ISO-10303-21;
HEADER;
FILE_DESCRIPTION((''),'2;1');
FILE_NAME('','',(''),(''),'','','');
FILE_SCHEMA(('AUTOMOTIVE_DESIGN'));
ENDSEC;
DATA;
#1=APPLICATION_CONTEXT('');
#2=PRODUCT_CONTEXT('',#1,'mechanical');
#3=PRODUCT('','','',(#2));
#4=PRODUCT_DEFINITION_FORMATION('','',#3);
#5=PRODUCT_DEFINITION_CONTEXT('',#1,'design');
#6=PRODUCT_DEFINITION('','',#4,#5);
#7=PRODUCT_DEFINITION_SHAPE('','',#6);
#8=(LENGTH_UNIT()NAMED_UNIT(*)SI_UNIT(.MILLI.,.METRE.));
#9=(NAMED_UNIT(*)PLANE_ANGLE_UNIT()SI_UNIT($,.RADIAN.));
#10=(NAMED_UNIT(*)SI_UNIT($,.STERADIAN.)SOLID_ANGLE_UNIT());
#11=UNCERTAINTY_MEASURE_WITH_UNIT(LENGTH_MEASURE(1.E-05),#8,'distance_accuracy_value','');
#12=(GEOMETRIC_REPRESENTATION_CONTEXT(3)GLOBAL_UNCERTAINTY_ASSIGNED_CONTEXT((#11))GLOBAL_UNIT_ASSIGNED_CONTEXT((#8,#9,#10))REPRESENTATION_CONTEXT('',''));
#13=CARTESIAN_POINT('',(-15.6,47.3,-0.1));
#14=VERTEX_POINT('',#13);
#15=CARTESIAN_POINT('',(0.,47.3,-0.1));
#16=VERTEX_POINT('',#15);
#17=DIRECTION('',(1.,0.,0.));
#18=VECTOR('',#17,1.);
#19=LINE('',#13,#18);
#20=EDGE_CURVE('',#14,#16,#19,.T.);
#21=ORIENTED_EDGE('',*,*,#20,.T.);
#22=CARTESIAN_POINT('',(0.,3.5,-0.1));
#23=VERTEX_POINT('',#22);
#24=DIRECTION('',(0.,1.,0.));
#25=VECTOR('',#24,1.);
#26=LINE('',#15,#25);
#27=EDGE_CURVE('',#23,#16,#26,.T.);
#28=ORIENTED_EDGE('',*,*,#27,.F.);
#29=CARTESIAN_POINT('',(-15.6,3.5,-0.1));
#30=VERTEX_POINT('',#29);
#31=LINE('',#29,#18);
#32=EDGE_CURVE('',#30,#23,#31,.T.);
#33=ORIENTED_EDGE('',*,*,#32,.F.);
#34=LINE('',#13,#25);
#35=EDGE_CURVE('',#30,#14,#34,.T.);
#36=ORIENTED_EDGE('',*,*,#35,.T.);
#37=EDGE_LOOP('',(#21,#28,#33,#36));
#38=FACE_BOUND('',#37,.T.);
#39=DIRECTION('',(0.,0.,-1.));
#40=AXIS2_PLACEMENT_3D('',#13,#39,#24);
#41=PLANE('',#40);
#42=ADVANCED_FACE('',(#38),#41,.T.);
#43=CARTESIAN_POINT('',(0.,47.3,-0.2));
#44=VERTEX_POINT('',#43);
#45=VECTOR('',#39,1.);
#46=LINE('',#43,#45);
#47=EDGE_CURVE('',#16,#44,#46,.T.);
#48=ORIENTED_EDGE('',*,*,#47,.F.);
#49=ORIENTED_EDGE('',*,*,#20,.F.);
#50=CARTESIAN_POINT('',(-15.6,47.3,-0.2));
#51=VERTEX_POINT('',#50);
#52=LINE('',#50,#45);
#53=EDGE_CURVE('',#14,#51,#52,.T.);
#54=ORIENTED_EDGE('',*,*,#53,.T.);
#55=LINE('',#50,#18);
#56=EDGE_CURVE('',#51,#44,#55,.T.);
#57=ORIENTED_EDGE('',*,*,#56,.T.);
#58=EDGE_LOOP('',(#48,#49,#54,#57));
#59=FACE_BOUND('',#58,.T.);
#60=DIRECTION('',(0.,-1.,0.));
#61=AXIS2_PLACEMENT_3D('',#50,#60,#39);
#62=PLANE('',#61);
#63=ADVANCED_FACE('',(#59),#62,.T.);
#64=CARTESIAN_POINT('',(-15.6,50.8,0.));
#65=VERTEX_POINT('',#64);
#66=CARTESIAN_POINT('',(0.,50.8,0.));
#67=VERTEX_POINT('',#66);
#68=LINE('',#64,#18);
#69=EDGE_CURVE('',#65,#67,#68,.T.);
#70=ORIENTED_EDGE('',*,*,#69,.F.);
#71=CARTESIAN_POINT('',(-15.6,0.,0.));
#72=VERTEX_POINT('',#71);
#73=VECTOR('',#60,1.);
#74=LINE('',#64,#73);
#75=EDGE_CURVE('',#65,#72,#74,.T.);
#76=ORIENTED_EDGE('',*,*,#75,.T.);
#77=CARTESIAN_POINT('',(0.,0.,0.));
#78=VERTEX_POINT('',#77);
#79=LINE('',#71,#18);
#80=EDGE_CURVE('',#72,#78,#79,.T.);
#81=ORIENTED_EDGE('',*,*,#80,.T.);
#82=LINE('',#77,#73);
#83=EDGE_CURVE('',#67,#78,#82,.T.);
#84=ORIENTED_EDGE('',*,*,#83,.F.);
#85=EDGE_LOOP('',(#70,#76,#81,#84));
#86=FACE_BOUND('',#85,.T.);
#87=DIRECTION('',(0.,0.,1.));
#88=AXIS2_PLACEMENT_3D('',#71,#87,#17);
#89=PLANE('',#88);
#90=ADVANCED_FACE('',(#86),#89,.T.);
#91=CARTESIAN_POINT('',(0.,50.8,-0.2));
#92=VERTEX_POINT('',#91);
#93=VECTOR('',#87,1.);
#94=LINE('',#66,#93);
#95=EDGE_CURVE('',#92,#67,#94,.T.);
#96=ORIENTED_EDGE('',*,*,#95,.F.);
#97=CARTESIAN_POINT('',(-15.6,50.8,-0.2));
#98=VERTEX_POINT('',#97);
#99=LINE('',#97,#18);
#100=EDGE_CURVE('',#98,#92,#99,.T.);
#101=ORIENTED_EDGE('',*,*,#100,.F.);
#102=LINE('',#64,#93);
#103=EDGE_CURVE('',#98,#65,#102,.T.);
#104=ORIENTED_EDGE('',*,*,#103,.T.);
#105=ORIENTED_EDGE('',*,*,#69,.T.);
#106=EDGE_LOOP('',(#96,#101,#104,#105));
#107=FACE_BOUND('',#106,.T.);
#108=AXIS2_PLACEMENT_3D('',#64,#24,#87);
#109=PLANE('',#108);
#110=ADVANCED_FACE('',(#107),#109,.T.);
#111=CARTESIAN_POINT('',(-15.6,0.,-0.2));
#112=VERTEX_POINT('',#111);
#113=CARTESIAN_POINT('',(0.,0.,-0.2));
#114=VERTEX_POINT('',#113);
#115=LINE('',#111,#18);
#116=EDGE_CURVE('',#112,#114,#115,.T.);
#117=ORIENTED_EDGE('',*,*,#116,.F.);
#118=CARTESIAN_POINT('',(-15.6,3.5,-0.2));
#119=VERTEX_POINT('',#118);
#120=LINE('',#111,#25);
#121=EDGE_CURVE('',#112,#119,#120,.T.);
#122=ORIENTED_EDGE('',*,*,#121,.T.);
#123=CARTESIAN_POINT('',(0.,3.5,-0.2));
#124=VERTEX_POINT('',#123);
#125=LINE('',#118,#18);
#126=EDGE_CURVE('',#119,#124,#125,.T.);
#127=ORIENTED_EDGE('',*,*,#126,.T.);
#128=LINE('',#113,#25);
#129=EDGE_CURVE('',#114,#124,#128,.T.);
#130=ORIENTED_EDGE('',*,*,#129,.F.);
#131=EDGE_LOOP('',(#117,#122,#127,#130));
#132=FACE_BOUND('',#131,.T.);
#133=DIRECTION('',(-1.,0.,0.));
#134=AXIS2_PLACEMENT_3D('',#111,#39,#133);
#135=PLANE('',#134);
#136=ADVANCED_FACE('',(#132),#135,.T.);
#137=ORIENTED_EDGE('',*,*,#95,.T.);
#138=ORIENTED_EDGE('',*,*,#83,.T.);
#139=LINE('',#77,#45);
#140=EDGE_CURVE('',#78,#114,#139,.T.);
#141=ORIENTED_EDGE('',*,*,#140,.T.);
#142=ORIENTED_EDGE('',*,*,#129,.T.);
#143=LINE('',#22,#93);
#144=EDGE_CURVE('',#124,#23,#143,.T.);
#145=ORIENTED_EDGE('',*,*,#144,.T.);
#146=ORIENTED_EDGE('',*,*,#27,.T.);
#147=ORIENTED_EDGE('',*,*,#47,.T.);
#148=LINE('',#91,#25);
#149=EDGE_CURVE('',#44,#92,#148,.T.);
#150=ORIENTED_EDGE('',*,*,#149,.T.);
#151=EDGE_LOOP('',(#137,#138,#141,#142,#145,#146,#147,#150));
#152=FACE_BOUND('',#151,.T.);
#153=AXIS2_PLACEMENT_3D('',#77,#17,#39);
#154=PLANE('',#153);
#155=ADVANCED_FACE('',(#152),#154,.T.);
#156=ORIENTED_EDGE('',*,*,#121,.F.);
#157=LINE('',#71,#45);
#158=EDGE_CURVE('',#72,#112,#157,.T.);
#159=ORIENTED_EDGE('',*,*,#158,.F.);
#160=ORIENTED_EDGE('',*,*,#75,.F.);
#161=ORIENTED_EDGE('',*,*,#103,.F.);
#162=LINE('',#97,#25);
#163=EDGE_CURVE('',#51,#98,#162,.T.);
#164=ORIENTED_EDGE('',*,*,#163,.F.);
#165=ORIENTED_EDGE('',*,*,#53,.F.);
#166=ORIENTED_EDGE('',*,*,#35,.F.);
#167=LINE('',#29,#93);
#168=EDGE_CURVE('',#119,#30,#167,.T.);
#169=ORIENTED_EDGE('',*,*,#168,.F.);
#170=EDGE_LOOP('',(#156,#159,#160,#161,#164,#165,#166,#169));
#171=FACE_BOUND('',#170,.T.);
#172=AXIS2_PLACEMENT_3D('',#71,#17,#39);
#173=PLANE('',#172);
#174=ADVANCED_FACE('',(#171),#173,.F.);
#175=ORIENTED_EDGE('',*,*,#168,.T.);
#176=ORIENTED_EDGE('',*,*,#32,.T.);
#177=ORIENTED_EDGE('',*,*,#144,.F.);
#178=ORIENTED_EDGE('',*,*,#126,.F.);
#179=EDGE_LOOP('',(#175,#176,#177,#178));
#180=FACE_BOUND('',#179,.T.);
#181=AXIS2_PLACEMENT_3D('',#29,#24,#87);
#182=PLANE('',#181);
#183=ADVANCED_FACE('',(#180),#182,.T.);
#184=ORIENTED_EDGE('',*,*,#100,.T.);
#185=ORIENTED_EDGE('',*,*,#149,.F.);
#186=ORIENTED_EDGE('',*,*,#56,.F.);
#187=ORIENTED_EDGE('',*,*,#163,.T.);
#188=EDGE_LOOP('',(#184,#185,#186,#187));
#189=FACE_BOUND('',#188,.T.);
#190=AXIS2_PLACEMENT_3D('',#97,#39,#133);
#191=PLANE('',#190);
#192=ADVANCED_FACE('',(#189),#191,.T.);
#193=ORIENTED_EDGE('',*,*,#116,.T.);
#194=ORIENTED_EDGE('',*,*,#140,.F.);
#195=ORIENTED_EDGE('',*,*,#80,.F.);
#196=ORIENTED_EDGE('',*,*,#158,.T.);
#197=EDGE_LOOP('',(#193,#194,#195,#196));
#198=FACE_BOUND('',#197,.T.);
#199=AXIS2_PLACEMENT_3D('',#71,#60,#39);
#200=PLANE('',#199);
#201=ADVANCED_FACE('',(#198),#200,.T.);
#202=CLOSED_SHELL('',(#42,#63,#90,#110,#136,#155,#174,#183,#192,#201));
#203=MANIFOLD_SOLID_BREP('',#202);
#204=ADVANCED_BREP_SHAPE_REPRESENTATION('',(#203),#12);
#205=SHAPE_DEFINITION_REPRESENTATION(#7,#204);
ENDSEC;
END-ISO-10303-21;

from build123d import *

# Parameters (mm, degrees)
BOSS_EXTRUDE1_DEPTH = 15.6


with BuildPart() as part:
    # Sketch2 → Boss-Extrude1 (new body)
    with BuildSketch(Plane(origin=(0, 0, 0), x_dir=(0, 0, -1), z_dir=(1, 0, 0))):
        Polygon((0.2, 47.3), (0.1, 47.3), (0.1, 3.5), (0.2, 3.5), (0.2, 0), (0, 0), (0, 3.5), (0, 47.3), (0, 50.8), (0.2, 50.8), align=None)
    extrude(amount=-BOSS_EXTRUDE1_DEPTH)


solid = part.part
